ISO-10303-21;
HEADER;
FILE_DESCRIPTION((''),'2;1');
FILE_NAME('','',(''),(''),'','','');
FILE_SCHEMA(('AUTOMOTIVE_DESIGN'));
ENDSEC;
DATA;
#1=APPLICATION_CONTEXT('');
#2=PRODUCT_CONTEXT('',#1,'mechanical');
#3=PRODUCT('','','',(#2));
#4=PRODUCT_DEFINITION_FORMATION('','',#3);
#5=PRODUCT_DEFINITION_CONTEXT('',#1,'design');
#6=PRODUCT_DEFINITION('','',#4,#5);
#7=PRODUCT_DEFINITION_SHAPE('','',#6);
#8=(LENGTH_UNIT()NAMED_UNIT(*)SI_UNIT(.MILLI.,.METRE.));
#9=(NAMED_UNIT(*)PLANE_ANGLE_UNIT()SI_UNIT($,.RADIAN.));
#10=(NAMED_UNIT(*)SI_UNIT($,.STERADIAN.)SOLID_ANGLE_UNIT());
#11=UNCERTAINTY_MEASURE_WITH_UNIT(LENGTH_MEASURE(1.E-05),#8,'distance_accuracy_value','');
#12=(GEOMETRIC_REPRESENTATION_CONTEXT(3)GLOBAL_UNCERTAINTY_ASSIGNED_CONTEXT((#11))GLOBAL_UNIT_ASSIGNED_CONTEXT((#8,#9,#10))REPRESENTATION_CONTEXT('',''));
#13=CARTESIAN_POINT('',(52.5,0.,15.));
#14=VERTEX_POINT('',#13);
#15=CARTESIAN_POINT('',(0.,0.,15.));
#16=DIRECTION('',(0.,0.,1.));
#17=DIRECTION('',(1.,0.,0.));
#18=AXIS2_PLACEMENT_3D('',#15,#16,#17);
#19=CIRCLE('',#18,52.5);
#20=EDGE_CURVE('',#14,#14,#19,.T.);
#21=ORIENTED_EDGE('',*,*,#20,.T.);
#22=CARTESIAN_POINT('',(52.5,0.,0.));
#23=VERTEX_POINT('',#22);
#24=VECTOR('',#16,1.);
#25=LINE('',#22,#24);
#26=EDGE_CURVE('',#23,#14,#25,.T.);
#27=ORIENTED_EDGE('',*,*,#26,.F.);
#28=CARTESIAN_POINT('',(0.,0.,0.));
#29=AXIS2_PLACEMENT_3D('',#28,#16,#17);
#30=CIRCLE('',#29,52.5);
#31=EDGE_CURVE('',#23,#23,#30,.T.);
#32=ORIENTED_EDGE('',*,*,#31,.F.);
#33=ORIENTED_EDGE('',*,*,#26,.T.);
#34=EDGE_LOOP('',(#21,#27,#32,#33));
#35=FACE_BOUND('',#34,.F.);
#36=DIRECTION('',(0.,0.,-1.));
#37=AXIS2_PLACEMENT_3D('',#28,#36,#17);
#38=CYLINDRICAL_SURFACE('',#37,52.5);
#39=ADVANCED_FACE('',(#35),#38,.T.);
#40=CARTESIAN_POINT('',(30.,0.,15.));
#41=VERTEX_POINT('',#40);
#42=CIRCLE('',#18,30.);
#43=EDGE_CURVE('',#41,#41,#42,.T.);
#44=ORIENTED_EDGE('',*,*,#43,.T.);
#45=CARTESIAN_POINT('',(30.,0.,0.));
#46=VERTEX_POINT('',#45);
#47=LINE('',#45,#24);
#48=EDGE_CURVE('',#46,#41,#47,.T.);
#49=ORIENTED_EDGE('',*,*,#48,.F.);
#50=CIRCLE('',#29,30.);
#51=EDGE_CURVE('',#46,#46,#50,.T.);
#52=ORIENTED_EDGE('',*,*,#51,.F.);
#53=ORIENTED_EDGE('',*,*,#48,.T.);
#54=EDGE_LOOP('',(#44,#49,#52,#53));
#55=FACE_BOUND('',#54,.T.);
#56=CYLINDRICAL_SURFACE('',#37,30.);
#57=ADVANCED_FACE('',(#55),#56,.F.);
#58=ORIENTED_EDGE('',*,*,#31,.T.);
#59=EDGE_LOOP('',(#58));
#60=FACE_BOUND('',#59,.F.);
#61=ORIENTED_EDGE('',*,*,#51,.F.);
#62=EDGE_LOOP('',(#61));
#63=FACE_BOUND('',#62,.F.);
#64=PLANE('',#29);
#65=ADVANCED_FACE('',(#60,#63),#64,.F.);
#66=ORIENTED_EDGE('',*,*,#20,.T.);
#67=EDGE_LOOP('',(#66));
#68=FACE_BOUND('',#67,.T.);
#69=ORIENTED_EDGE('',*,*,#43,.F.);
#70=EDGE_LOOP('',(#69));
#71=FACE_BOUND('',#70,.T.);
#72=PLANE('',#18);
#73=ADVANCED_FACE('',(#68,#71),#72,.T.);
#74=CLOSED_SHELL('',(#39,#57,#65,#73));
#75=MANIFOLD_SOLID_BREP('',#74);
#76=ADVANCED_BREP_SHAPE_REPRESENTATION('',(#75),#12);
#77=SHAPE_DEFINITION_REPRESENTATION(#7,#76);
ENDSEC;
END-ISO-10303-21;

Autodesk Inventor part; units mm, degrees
ref_plane "YZ Plane" through (0, 0, 0) normal (1, 0, 0) x (0, 1, 0)
ref_plane "XZ Plane" through (0, 0, 0) normal (0, 1, 0) x (-1, 0, 0)
ref_plane "XY Plane" through (0, 0, 0) normal (0, 0, 1) x (1, 0, 0)
sketch "Sketch1" plane through (0, 0, 0) normal (0, 0, 1) x (1, 0, 0)
  circle A0 centre (0, 0) radius 52.5
  circle A1 centre (0, 0) radius 30
  dimension "d0" = 60
  dimension "d1" = 105
extrude "Extrusion1" add sketch "Sketch1" along normal blind 15
equation "\"d1\" = 1.75 * d0"
properties part number "temp_support_ring"
